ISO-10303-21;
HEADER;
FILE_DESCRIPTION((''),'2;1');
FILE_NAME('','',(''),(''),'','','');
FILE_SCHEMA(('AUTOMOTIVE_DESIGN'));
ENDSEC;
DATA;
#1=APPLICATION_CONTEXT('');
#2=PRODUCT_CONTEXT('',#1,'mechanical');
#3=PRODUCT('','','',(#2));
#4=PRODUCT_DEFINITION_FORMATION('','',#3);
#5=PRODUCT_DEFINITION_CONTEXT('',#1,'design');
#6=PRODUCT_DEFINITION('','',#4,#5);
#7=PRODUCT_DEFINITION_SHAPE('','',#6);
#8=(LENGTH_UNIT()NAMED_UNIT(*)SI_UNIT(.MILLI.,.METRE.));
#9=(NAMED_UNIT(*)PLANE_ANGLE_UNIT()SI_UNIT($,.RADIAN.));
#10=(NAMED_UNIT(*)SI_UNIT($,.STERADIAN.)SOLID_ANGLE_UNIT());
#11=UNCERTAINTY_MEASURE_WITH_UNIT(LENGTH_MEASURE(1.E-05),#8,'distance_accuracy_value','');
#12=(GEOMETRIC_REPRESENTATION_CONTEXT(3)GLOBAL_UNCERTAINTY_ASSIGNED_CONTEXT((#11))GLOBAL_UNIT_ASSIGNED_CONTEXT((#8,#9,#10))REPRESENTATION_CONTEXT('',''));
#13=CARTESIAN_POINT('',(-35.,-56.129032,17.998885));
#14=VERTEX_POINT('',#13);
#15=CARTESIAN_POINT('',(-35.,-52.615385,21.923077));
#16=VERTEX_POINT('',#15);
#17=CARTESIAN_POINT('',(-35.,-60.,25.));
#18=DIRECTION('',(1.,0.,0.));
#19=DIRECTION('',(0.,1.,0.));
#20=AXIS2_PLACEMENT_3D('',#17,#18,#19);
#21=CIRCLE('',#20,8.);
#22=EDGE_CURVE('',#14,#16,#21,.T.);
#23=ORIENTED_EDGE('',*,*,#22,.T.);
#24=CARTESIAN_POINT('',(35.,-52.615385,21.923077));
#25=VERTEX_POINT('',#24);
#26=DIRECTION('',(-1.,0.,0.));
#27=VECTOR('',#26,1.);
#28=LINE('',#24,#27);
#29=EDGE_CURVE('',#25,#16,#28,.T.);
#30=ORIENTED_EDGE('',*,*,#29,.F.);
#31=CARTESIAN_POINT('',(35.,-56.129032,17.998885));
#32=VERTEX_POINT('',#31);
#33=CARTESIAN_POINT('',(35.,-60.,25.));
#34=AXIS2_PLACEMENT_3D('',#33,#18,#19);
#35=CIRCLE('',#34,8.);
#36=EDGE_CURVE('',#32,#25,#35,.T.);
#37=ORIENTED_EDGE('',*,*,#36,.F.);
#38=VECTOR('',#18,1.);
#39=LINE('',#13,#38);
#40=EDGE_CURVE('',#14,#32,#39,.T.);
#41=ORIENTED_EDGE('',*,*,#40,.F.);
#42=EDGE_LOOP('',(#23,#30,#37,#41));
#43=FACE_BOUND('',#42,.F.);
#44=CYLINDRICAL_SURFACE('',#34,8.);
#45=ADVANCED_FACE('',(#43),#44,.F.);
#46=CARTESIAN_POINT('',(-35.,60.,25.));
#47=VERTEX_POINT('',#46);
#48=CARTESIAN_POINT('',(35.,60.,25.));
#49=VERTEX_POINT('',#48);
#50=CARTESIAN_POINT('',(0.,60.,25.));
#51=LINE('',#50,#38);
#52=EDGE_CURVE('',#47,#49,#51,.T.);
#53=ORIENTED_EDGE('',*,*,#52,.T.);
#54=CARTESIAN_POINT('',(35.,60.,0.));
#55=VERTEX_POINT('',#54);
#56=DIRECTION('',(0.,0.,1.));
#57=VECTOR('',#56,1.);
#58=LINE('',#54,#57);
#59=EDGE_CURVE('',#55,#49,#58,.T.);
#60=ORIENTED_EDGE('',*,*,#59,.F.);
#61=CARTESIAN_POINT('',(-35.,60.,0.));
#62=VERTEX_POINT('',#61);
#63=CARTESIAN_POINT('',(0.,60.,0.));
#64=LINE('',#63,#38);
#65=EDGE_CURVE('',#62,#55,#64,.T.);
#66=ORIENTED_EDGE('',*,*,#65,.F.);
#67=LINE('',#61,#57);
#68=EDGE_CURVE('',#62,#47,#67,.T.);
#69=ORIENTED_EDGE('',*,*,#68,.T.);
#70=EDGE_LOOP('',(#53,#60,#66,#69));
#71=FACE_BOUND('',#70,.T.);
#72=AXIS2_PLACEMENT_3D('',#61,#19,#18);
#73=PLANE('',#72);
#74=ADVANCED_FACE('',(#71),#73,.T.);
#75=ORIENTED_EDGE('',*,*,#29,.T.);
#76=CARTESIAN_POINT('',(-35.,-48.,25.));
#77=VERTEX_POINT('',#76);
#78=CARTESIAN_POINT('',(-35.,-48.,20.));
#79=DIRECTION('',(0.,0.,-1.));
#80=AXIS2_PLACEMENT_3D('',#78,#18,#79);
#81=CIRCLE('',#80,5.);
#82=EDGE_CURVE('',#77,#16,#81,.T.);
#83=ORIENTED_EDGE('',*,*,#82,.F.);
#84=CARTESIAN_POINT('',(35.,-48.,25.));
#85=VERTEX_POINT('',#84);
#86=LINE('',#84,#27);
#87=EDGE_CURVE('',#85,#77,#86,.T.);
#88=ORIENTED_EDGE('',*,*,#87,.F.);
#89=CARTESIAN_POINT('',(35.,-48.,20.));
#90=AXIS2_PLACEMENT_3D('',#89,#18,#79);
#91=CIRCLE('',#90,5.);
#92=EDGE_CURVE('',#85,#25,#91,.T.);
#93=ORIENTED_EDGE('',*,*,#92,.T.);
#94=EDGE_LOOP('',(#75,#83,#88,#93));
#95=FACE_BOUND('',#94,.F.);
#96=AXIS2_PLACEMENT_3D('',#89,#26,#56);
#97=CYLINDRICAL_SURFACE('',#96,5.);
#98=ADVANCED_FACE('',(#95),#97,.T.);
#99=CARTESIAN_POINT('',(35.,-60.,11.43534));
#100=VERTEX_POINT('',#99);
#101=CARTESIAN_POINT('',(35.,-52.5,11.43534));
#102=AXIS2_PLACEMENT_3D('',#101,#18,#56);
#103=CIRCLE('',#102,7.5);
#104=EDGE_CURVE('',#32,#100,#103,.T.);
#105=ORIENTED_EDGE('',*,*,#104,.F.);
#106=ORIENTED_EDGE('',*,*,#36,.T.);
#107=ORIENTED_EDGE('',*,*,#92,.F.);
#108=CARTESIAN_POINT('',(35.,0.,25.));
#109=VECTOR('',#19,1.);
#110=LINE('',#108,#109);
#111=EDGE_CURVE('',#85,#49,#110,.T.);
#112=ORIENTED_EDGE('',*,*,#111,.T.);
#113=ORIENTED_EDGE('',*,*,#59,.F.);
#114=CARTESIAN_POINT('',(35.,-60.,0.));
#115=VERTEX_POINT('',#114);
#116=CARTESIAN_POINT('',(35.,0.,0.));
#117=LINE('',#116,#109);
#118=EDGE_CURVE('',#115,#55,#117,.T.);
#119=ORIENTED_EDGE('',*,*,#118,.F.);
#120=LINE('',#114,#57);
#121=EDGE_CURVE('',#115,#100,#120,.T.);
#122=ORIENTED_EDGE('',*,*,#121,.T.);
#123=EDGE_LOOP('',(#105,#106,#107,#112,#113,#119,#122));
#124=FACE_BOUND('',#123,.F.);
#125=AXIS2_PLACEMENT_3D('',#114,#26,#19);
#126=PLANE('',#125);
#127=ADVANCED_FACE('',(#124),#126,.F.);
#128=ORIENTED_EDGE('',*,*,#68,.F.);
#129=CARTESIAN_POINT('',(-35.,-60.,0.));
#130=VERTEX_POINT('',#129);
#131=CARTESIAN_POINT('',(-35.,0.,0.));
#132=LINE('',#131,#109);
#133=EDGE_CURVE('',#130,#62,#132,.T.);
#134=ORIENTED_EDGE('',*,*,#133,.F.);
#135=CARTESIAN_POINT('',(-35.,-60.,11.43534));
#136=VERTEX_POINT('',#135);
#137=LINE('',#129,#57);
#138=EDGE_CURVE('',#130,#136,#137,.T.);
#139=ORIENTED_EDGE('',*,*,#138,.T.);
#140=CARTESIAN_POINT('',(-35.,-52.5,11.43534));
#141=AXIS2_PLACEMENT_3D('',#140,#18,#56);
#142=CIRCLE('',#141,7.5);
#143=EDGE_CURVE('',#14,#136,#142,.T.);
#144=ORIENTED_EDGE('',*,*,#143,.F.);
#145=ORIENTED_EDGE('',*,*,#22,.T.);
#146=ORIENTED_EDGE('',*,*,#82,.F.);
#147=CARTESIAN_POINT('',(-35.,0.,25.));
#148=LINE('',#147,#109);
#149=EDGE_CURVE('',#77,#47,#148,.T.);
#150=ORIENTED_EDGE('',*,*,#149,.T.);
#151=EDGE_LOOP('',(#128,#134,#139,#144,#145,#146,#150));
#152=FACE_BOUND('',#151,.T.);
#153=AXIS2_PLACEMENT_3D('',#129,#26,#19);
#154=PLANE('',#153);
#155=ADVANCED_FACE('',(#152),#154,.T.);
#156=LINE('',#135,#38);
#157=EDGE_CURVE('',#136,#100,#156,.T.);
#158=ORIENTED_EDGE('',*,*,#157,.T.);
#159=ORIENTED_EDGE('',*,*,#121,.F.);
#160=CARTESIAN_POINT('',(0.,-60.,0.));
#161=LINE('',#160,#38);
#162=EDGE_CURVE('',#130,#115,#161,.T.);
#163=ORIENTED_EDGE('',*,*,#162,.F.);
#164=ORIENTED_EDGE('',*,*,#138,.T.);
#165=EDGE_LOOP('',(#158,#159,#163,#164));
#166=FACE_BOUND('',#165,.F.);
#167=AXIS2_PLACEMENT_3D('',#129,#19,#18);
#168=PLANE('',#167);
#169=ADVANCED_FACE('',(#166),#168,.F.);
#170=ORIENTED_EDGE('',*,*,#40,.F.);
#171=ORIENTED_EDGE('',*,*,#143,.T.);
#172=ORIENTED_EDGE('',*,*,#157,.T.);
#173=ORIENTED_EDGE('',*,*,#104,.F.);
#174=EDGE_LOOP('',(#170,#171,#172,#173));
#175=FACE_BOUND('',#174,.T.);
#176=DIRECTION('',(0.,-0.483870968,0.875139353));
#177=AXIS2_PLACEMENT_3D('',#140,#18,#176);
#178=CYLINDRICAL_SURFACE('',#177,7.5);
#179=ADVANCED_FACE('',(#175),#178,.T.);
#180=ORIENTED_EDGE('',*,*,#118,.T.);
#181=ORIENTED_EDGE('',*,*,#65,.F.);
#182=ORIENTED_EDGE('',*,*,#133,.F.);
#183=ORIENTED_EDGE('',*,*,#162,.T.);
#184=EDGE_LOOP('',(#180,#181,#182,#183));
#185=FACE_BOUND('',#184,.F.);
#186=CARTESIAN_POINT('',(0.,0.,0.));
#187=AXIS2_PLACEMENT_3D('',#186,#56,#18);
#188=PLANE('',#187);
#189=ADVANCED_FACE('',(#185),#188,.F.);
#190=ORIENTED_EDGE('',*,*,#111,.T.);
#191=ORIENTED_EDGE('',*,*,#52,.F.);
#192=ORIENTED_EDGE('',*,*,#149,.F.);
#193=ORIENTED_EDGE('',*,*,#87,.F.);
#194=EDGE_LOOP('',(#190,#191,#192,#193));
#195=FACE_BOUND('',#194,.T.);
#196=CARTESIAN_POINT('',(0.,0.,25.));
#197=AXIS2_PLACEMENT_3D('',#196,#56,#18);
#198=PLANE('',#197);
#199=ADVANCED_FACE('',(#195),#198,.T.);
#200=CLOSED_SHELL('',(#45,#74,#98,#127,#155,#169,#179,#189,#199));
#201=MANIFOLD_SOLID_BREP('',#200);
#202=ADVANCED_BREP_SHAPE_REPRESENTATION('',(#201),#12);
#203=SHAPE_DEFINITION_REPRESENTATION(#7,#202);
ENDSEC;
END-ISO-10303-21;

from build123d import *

# Parameters (mm, degrees)
F0_W     = 70
F0_H     = 120
F1_DEPTH = 25
F2_R     = 8
F3_DEPTH = 70
F4_R     = 5
F5_R     = 7.5


with BuildPart() as f1:
    # F0 (on Top) → F1 (new body)
    with BuildSketch(Plane.XY):
        Rectangle(F0_W, F0_H)
    extrude(amount=F1_DEPTH)

    # F2 (on face) → F3 (cut, through all)
    with BuildSketch(Plane.YZ.offset(35)):
        with Locations((-60, 25)):
            Circle(F2_R)
    extrude(amount=-F3_DEPTH, mode=Mode.SUBTRACT)

    # F4
    f4_edges = [f1.edges().sort_by_distance(p)[0] for p in [
        (0, -52, 25),
    ]]
    fillet(f4_edges, radius=F4_R)

    # F5
    f5_edges = [f1.edges().sort_by_distance(p)[0] for p in [
        (0, -60, 17),
    ]]
    fillet(f5_edges, radius=F5_R)


solid = f1.part
